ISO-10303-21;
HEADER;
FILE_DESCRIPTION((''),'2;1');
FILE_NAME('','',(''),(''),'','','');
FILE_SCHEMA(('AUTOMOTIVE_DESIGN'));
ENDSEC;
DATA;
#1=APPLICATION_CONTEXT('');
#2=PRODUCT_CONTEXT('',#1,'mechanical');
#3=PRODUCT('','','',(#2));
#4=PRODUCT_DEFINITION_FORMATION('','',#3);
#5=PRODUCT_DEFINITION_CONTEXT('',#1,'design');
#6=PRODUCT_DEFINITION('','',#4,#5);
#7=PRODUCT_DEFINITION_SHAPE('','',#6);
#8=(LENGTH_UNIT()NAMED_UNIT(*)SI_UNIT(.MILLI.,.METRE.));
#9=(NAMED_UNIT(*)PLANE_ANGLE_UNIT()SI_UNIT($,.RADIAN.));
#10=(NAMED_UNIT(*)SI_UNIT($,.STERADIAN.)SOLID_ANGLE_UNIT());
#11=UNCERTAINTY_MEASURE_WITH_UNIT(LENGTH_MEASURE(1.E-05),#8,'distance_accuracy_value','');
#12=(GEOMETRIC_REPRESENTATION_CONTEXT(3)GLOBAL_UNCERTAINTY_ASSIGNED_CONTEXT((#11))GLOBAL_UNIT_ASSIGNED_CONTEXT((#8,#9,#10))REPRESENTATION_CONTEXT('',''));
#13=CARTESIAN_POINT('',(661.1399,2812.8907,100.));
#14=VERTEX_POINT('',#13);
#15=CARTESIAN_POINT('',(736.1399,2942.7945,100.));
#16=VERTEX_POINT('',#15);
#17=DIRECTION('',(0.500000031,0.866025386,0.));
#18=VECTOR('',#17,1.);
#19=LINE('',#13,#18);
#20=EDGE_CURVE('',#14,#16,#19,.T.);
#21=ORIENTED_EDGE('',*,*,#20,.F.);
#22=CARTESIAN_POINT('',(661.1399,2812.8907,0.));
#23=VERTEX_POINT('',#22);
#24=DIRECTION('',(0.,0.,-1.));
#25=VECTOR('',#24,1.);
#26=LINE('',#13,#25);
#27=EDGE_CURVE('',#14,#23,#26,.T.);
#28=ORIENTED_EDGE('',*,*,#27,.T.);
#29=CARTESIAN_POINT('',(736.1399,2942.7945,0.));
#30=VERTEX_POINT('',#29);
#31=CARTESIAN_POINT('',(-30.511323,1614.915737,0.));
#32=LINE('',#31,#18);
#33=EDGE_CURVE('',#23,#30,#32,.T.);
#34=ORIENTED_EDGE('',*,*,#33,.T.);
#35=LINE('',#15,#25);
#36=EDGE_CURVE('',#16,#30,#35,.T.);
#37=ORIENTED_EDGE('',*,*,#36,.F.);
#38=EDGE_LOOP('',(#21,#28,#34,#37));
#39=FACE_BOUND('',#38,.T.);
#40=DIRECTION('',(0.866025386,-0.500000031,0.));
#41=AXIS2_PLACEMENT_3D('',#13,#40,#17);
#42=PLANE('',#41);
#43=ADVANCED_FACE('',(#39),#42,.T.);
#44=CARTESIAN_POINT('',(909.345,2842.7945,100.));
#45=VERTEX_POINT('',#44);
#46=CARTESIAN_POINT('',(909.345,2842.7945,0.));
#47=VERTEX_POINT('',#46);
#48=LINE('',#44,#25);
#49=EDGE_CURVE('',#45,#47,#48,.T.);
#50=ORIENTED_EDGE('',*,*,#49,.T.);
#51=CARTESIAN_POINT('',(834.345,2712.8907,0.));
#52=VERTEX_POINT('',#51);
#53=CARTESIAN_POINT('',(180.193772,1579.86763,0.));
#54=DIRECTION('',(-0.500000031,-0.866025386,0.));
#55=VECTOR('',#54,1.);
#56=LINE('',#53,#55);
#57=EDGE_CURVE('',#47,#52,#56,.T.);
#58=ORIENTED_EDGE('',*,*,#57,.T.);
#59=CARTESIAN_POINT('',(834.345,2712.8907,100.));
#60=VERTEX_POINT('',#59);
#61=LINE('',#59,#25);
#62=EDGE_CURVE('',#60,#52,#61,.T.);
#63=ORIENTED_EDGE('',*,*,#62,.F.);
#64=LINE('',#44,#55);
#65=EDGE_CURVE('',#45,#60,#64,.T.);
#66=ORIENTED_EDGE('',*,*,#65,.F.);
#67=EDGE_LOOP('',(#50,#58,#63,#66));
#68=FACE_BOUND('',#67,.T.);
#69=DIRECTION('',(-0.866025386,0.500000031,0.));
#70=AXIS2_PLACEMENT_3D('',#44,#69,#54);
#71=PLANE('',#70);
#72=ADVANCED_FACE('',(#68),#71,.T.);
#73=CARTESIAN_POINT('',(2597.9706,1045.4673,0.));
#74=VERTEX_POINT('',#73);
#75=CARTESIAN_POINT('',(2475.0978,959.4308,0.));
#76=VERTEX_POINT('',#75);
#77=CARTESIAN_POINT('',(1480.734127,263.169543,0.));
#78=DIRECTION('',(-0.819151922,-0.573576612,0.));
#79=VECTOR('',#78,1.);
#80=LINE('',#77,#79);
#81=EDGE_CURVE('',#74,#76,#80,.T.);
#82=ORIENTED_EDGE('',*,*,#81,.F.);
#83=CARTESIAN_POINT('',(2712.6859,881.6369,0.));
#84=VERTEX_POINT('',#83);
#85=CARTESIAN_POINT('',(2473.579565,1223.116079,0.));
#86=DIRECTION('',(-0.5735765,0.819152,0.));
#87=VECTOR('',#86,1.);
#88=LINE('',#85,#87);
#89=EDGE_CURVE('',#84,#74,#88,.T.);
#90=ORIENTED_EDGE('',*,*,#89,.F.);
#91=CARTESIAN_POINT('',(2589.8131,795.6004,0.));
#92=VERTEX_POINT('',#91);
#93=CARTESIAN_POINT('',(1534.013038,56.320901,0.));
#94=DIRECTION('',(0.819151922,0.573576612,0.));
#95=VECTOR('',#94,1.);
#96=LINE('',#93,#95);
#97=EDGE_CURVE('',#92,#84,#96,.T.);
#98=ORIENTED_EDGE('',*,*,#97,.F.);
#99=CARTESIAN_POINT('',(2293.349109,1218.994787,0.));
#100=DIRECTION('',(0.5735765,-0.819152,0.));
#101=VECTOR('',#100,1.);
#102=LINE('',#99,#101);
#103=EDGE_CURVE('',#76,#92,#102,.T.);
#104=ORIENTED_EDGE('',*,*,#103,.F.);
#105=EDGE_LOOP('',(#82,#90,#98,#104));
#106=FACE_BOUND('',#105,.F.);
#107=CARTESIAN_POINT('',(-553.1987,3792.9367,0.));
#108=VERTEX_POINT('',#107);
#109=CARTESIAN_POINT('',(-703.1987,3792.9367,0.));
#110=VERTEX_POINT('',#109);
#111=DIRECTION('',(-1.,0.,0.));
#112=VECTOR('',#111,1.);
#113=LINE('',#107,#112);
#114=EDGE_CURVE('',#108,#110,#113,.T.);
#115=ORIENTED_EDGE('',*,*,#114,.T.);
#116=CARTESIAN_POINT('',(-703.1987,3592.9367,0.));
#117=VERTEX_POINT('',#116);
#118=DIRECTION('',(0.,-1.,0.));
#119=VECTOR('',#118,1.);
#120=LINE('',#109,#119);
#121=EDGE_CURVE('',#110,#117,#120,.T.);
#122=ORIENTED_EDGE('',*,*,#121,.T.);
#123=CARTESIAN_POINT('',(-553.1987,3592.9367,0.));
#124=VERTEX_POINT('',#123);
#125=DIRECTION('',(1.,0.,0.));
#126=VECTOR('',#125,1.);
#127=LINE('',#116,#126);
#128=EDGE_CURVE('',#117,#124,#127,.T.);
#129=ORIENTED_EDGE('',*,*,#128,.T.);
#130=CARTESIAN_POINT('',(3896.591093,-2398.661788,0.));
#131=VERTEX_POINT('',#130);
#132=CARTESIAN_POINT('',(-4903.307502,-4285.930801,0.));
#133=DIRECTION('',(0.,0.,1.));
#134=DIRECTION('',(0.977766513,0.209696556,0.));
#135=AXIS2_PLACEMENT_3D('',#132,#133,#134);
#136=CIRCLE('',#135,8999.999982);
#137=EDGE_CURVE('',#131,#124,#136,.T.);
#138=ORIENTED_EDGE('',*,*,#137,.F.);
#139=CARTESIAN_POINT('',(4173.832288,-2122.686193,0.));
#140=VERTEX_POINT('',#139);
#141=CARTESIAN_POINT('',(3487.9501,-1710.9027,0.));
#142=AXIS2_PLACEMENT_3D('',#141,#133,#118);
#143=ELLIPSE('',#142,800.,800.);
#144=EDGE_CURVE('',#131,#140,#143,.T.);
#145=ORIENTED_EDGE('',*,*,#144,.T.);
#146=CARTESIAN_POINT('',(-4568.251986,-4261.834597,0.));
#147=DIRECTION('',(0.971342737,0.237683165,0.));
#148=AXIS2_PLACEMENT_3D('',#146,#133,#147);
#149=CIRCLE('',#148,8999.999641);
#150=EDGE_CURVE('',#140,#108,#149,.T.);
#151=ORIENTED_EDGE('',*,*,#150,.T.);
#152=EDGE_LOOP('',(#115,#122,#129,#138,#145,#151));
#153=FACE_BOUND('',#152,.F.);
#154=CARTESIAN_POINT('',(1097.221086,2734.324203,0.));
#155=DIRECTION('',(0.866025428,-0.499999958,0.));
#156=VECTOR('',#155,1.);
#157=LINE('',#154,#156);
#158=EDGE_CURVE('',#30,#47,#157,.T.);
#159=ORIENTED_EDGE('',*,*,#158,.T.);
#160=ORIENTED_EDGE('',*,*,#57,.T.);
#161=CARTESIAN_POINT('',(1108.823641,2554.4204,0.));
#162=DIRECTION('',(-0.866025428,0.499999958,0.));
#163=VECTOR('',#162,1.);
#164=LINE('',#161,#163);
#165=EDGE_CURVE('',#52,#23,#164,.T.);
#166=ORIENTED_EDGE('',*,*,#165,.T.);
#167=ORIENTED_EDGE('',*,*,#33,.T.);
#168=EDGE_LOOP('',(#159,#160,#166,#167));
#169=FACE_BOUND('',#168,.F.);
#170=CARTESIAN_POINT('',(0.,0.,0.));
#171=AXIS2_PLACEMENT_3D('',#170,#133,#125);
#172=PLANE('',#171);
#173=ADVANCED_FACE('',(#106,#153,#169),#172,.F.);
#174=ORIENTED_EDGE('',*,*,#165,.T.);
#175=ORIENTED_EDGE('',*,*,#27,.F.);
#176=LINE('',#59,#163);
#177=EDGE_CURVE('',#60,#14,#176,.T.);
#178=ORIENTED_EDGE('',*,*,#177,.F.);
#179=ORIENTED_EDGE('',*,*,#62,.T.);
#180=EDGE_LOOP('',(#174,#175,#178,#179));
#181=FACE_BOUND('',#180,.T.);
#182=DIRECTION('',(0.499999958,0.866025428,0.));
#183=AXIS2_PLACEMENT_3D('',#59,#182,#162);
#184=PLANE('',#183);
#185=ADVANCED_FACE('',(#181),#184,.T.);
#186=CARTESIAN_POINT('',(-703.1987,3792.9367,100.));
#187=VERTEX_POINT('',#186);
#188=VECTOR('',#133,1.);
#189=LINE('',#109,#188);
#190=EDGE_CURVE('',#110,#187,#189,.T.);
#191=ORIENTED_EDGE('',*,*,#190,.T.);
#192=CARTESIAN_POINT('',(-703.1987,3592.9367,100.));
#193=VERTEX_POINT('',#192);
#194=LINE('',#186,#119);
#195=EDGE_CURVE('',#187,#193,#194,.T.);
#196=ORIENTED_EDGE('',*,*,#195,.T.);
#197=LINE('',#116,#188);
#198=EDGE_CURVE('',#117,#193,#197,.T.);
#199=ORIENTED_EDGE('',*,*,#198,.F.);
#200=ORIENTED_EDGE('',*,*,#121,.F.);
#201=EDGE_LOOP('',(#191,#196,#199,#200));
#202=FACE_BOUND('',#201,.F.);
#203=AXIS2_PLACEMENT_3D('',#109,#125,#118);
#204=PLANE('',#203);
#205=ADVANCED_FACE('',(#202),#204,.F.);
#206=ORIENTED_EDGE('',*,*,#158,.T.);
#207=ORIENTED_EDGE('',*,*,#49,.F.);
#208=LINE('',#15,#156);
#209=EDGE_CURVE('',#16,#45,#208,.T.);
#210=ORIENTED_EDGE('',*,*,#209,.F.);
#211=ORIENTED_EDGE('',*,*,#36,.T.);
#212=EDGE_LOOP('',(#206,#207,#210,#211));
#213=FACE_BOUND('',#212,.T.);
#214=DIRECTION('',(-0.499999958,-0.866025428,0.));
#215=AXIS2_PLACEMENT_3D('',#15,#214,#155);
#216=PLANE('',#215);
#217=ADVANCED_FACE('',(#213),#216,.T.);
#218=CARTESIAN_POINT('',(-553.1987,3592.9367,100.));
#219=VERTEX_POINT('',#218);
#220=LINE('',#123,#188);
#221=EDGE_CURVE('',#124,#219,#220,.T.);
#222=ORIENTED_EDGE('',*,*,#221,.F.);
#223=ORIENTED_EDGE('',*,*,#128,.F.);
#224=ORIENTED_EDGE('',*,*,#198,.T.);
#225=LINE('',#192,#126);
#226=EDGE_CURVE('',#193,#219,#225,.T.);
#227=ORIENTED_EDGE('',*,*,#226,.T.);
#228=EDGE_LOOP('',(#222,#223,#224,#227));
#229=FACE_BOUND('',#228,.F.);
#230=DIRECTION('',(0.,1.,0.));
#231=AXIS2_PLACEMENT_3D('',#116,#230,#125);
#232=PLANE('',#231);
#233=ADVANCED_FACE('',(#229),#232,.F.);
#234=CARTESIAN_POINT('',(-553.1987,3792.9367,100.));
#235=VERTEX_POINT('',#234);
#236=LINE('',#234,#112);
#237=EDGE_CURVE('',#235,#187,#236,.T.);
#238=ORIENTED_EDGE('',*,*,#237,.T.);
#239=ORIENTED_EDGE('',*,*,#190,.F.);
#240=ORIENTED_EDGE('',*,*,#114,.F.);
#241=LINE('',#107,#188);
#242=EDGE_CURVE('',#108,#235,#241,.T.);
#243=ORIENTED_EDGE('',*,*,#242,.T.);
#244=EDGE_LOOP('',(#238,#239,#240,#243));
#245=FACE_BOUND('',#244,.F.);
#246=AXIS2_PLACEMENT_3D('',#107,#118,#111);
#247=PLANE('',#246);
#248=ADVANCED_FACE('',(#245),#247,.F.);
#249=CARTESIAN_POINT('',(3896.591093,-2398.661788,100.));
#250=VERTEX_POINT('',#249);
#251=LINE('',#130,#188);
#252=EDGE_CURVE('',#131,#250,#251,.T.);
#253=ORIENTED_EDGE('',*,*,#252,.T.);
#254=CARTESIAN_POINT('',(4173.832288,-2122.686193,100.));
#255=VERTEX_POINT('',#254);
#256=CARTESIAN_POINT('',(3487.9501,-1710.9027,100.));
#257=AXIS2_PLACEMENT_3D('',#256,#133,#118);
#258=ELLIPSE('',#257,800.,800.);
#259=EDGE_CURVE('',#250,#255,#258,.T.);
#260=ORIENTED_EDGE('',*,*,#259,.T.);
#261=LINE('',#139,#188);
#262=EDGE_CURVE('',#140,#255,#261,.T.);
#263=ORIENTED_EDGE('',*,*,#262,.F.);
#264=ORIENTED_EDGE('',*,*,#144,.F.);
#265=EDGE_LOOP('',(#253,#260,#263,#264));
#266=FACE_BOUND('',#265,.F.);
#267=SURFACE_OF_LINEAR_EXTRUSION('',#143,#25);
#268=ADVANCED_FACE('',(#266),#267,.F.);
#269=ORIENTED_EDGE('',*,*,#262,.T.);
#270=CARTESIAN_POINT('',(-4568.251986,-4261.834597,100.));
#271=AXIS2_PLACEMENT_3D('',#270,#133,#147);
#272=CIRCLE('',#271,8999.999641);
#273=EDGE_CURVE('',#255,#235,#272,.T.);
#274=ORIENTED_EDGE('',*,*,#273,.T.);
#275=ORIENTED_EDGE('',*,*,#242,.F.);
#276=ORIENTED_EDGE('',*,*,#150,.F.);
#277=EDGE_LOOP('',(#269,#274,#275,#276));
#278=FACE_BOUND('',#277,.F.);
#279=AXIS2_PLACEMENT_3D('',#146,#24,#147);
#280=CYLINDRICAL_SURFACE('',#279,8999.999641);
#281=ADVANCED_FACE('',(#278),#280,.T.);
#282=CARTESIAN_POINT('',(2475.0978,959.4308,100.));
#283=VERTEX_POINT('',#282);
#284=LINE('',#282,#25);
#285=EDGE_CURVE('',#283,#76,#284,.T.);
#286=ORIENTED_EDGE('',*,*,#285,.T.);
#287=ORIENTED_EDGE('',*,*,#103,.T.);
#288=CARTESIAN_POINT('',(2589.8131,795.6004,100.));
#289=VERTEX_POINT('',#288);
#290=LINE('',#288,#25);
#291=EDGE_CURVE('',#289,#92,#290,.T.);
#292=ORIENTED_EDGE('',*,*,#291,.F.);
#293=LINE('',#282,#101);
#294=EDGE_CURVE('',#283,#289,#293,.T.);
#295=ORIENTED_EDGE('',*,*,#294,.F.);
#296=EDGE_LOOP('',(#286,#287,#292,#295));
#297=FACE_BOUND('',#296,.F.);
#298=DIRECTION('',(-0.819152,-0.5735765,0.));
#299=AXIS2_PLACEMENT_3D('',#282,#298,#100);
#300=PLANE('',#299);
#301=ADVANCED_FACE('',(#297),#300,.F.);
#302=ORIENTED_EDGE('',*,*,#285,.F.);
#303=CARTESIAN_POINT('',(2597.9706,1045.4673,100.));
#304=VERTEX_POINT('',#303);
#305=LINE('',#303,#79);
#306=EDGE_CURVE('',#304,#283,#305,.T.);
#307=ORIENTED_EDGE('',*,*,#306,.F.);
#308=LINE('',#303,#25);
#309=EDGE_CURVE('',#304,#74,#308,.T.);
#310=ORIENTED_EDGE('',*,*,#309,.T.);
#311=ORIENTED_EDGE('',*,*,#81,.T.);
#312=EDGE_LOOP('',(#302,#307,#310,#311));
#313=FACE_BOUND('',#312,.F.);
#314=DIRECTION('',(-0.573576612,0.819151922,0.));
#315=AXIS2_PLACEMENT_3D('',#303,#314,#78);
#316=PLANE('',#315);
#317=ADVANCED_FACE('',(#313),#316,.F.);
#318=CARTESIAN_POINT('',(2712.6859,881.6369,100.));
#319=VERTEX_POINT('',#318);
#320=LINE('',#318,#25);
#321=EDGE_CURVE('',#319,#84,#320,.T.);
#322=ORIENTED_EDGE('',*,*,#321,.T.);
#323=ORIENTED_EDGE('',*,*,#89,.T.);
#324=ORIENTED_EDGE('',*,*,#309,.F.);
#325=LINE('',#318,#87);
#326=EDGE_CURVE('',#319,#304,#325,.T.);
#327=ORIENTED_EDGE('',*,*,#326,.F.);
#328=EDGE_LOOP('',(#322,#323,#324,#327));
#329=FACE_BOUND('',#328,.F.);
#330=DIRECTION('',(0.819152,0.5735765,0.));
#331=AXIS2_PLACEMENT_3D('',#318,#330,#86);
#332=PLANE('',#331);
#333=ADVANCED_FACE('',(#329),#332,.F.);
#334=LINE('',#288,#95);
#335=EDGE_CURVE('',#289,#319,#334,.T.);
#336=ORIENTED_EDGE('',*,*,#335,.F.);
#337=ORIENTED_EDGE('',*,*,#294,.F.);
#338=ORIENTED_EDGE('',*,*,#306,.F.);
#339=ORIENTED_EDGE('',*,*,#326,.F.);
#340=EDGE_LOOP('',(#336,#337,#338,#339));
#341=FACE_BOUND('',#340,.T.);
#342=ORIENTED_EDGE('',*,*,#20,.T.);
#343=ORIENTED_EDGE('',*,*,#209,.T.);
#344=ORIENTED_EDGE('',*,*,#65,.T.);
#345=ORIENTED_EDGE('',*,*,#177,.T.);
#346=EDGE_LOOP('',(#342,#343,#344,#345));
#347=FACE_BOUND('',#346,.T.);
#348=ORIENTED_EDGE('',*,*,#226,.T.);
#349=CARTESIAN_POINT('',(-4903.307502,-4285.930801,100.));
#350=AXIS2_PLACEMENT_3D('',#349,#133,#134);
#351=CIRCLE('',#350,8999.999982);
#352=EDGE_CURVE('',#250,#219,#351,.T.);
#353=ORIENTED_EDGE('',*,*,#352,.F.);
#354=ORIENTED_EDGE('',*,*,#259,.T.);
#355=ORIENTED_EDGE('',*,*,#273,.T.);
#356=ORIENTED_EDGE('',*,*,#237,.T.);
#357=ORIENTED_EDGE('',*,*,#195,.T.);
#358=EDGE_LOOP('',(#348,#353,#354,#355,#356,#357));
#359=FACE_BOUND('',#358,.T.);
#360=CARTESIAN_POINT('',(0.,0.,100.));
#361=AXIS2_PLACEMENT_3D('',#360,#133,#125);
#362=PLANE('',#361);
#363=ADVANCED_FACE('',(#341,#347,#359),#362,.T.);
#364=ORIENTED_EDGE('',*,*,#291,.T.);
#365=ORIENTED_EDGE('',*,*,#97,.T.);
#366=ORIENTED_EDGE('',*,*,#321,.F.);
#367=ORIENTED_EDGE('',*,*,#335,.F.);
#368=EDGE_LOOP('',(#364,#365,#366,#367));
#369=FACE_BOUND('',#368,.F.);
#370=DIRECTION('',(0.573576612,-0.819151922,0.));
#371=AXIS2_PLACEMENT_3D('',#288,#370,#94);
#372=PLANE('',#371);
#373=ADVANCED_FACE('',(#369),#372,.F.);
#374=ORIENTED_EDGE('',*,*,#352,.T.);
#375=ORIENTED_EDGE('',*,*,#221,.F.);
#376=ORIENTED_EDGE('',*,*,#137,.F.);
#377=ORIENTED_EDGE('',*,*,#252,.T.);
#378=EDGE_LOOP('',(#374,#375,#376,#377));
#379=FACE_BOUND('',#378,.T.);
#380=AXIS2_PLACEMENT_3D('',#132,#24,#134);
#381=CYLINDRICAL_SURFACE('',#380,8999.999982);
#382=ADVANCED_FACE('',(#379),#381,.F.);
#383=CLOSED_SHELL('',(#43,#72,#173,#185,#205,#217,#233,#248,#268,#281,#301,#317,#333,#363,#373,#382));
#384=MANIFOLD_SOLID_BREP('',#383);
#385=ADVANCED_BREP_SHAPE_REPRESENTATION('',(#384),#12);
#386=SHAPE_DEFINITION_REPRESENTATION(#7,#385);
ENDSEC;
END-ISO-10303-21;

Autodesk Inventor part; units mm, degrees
ref_plane "YZ Plane" through (0, 0, 0) normal (1, 0, 0) x (0, 1, 0)
ref_plane "XZ Plane" through (0, 0, 0) normal (0, 1, 0) x (-1, 0, 0)
ref_plane "XY Plane" through (0, 0, 0) normal (0, 0, 1) x (1, 0, 0)
sketch "Sketch1" plane through (0, 0, 0) normal (0, 0, 1) x (1, 0, 0)
  ellipse E0 centre (3487.9501, -1710.9027) end of major axis (3487.9501, -2510.9027) minor radius 800 (3896.5911, -2398.6618) -> (4173.8323, -2122.6862) ccw
  arc A0 (4173.8323, -2122.6862) -> (-553.1987, 3792.9367) centre (-4568.2524, -4261.8348) ccw
  arc A1 (3896.5911, -2398.6618) -> (-553.1987, 3592.9367) centre (-4903.3075, -4285.9308) ccw
  line L0 (-553.1987, 3792.9367) -> (-703.1987, 3792.9367)
  line L1 (-703.1987, 3792.9367) -> (-703.1987, 3592.9367)
  line L2 (-703.1987, 3592.9367) -> (-553.1987, 3592.9367)
  point P0 (0, 0)
  point P1 (3896.5911, -2398.6618)
  point P2 (4173.8323, -2122.6862)
  dimension "d0" = 9000
  dimension "d1" = 9000
  dimension "d2" = 150
extrude "Extrusion1" add sketch "Sketch1" along normal blind 100
sketch "Sketch2" plane through (0, 0, 100) normal (0, 0, 1) x (1, 0, 0)
  line L0 (2475.0978, 959.4308) -> (2589.8131, 795.6004)
  line L1 (2589.8131, 795.6004) -> (2712.6859, 881.6369)
  line L2 (2712.6859, 881.6369) -> (2597.9706, 1045.4673)
  line L3 (2597.9706, 1045.4673) -> (2475.0978, 959.4308)
  line L4 (2475.0978, 959.4308) -> (2712.6859, 881.6369) construction
  line L5 (2589.8131, 795.6004) -> (2597.9706, 1045.4673) construction
  line L6 (2475.0978, 959.4308) -> (2675.0978, 959.4308) construction
  line L7 (736.1399, 2942.7945) -> (909.345, 2842.7945)
  line L8 (909.345, 2842.7945) -> (834.345, 2712.8907)
  line L9 (834.345, 2712.8907) -> (661.1399, 2812.8907)
  line L10 (661.1399, 2812.8907) -> (736.1399, 2942.7945)
  line L11 (736.1399, 2942.7945) -> (834.345, 2712.8907) construction
  line L12 (909.345, 2842.7945) -> (661.1399, 2812.8907) construction
  line L13 (736.1399, 2942.7945) -> (936.1399, 2942.7945) construction
  point P0 (0, 0)
  point P1 (2593.8918, 920.5338)
  point P2 (785.2424, 2827.8426)
  dimension "d8" = 200
  dimension "d9" = 55
  dimension "d10" = 150
  dimension "d13" = 200
  dimension "d14" = 30
  dimension "d15" = 150
extrude "Extrusion3" cut sketch "Sketch2" against normal through all
properties part number "curve_beam_02" material "Wood (Maple)"
